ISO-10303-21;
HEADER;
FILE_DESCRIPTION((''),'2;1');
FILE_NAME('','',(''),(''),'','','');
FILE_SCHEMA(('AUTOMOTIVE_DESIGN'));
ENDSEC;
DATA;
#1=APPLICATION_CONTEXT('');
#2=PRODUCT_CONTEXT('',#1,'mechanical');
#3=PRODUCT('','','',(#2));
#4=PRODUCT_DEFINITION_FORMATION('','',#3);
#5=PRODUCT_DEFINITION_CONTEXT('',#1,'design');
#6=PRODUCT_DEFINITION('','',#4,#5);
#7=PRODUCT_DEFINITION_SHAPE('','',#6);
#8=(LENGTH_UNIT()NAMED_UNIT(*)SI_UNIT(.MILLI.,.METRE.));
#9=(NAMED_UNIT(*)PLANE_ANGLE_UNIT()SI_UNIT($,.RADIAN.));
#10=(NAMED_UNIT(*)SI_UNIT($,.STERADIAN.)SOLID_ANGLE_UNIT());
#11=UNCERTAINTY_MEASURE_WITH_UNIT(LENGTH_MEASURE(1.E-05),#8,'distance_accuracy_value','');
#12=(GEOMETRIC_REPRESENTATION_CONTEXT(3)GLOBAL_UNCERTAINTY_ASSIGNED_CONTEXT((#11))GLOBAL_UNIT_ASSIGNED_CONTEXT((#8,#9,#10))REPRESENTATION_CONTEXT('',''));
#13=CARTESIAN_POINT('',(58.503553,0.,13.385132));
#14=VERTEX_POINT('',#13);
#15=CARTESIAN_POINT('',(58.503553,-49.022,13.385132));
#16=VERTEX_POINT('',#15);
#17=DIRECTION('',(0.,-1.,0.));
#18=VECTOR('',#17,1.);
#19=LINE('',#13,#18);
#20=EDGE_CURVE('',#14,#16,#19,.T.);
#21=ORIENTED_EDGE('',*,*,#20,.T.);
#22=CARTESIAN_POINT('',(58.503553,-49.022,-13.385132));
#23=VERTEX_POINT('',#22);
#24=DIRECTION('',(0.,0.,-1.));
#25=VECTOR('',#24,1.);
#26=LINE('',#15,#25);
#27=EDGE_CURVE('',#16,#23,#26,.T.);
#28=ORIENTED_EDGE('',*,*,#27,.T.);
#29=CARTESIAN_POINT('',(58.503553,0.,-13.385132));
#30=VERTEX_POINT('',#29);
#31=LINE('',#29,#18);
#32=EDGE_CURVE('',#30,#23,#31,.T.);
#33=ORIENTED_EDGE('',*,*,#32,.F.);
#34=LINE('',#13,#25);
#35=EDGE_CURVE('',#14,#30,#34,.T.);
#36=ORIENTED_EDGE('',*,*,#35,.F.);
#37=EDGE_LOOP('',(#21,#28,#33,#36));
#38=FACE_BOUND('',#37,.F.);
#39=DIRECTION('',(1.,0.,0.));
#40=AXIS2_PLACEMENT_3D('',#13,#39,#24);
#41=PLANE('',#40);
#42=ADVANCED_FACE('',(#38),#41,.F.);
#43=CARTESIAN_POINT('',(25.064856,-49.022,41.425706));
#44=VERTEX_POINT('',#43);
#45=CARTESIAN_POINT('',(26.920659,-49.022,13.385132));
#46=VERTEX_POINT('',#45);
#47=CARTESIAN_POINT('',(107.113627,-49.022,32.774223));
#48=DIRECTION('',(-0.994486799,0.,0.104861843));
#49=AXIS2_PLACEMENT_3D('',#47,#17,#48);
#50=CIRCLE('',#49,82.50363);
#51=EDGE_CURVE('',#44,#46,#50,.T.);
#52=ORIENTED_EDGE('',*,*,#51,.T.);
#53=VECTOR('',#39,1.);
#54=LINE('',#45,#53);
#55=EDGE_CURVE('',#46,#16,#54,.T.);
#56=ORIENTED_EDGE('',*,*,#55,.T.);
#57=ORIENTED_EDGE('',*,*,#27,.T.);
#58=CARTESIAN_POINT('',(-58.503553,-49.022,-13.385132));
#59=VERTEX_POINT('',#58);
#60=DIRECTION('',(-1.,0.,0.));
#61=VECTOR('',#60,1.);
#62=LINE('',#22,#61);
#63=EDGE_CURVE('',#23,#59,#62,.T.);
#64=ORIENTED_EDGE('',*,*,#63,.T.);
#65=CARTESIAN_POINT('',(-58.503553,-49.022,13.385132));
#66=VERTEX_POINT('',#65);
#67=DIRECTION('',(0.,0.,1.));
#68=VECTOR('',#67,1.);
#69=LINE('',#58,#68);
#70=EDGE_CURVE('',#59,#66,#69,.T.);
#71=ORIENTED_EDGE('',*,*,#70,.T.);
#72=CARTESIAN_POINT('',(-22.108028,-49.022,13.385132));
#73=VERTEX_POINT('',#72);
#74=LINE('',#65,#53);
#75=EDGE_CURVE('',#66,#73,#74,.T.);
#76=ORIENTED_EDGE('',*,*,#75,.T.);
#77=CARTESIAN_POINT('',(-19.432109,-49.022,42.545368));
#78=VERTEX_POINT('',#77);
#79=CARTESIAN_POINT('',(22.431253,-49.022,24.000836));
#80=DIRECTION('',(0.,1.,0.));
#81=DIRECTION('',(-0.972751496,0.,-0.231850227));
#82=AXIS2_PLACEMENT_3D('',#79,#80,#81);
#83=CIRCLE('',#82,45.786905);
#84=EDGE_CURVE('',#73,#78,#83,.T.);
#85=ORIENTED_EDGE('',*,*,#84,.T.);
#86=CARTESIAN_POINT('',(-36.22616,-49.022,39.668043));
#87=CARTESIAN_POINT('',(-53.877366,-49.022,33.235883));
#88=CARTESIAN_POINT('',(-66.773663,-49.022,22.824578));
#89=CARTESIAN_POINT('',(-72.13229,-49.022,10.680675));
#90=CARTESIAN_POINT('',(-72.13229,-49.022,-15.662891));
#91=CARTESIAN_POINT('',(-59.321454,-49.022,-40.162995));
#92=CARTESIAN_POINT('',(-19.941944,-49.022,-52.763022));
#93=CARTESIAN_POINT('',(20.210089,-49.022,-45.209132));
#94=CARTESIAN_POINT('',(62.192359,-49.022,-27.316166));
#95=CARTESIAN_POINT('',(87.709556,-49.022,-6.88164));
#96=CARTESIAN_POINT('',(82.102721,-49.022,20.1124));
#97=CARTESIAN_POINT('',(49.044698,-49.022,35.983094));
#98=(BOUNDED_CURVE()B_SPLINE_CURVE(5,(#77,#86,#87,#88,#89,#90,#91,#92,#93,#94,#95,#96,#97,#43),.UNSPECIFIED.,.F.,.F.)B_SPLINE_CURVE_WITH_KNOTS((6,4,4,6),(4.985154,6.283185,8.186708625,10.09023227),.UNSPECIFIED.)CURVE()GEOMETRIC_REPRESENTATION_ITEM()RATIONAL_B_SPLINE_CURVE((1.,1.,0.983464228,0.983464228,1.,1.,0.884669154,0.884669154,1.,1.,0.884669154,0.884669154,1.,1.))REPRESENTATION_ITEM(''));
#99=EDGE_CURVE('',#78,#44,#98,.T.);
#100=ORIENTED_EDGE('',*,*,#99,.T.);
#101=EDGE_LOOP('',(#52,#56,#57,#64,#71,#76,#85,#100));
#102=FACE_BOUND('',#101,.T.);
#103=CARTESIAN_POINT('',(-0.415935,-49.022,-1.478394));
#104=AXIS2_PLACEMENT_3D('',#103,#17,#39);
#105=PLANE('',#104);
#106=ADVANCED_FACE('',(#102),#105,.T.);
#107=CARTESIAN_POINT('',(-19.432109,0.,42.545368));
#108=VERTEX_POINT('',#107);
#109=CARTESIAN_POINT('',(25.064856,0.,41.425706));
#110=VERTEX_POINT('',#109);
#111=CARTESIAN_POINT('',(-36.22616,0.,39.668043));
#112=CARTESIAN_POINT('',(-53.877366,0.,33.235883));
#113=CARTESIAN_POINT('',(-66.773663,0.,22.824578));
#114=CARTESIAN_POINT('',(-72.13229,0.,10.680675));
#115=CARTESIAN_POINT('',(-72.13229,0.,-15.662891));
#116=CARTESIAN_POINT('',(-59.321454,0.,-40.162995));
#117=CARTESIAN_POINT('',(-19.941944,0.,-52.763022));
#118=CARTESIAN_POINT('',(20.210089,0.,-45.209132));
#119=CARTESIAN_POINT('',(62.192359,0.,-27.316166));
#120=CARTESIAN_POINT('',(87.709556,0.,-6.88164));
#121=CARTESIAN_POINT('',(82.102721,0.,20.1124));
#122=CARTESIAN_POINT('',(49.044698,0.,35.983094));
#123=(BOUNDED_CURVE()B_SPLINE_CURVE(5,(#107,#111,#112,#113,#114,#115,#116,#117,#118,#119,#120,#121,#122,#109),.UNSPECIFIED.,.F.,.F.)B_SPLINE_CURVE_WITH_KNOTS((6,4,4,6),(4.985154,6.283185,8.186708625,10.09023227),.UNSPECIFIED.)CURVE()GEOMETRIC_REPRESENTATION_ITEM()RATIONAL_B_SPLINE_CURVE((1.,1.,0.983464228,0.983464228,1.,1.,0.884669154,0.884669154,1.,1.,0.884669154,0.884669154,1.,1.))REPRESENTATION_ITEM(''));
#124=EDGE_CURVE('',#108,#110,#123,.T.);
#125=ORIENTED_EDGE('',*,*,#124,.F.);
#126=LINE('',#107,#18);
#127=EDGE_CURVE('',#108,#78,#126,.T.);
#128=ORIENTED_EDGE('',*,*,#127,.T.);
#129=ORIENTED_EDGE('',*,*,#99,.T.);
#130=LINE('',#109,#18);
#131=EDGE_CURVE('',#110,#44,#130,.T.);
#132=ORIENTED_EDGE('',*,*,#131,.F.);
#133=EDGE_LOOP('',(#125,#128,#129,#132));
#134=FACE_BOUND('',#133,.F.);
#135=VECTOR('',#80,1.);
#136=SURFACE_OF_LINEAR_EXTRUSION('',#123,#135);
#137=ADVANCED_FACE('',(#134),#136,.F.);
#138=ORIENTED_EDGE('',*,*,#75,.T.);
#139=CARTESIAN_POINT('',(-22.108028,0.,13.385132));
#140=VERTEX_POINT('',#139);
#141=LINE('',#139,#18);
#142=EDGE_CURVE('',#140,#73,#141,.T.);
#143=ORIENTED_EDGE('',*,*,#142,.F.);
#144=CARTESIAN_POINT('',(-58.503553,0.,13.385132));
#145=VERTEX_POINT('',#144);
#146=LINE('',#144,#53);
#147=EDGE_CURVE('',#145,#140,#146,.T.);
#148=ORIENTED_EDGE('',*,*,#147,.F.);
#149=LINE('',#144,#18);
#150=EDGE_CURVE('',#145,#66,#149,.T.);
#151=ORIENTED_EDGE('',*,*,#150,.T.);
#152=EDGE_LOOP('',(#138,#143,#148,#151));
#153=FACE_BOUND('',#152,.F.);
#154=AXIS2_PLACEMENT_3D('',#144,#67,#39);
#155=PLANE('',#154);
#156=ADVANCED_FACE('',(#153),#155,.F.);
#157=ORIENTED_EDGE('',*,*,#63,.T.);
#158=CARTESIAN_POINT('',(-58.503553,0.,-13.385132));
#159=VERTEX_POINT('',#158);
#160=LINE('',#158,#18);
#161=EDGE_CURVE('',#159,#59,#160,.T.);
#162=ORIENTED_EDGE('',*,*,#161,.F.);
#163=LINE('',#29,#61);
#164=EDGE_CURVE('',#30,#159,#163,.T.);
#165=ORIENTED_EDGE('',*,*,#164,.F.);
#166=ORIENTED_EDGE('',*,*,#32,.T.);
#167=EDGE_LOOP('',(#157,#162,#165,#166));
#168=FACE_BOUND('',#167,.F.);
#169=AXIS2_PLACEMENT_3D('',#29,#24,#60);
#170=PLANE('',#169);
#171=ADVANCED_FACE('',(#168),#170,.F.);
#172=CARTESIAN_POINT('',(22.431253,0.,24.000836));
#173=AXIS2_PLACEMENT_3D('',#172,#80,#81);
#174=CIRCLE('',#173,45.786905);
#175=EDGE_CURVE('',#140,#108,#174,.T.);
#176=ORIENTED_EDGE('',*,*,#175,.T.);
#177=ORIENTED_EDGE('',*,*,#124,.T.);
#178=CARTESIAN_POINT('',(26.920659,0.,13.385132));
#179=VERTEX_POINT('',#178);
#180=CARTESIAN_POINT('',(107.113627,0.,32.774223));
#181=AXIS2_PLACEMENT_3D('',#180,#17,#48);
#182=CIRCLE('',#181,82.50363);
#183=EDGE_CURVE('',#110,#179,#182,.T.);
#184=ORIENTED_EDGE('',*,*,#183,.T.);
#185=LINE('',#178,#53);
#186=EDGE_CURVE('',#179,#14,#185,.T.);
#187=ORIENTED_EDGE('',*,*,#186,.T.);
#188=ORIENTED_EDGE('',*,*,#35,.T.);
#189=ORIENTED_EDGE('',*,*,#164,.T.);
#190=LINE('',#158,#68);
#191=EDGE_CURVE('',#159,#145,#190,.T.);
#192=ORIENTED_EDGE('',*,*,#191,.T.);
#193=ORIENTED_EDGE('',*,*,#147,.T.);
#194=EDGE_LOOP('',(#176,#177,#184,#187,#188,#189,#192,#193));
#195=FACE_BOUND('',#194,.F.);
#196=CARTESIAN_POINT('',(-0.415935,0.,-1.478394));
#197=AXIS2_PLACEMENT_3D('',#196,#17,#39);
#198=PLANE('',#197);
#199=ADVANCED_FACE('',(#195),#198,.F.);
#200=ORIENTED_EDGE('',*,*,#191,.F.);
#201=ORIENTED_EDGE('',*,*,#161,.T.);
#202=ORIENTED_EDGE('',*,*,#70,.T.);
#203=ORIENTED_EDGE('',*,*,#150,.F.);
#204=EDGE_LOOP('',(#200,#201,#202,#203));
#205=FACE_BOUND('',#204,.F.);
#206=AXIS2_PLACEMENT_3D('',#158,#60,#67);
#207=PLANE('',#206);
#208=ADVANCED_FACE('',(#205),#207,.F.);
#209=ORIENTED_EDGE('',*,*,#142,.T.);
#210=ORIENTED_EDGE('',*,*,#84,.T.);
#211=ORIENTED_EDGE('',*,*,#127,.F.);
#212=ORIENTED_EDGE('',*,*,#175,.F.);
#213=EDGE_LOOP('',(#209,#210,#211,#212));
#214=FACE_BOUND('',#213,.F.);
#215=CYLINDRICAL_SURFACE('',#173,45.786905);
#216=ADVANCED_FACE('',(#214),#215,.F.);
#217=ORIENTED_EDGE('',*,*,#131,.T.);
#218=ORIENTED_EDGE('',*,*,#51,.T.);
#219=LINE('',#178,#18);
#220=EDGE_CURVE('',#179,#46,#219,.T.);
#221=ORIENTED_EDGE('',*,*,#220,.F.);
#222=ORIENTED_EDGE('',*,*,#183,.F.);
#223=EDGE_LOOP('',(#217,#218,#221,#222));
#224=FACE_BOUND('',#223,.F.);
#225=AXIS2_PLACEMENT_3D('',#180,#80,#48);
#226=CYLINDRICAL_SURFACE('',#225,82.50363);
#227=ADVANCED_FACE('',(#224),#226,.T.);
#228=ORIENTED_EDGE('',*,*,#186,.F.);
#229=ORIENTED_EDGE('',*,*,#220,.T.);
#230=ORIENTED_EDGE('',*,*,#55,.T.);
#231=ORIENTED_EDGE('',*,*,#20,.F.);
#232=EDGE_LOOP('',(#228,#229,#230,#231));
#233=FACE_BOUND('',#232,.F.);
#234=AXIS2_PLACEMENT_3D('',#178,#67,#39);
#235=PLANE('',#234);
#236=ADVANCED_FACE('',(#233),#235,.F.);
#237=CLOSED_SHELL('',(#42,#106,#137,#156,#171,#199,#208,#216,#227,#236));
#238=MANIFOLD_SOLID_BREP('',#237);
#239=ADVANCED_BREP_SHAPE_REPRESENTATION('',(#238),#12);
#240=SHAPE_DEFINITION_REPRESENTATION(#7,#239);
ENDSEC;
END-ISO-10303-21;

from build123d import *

# Parameters (mm, degrees)
F1_DEPTH = 49.022


with BuildPart() as f1:
    # F0 (on Front) → F1 (new body)
    with BuildSketch(Plane.XZ):
        with BuildLine():
            add(Edge.make_bspline(
                [(-19.432109, 42.545368), (-72.13229, 33.516245), (-72.13229, 0)],
                knots=[4.985154, 4.985154, 4.985154, 6.283185, 6.283185, 6.283185], degree=2, weights=[1, 0.796679, 1]))
            add(Edge.make_bspline(
                [(-72.13229, 0), (-72.13229, -84.565722), (41.201224, -36.262649), (154.534739, 12.040425), (25.064856, 41.425706)],
                knots=[0, 0, 0, 2.178751, 2.178751, 4.357502, 4.357502, 4.357502], degree=2, weights=[1, 0.463039, 1, 0.463039, 1]))
            ThreePointArc((25.064856, 41.425706), (24.790095, 27.325824), (26.920659, 13.385132))
            Line((26.920659, 13.385132), (58.503553, 13.385132))
            Line((58.503553, 13.385132), (58.503553, -13.385132))
            Line((58.503553, -13.385132), (-58.503553, -13.385132))
            Line((-58.503553, -13.385132), (-58.503553, 13.385132))
            Line((-58.503553, 13.385132), (-22.108028, 13.385132))
            ThreePointArc((-22.108028, 13.385132), (-23.164076, 28.184938), (-19.432109, 42.545368))
        make_face()
    extrude(amount=F1_DEPTH)


solid = f1.part
